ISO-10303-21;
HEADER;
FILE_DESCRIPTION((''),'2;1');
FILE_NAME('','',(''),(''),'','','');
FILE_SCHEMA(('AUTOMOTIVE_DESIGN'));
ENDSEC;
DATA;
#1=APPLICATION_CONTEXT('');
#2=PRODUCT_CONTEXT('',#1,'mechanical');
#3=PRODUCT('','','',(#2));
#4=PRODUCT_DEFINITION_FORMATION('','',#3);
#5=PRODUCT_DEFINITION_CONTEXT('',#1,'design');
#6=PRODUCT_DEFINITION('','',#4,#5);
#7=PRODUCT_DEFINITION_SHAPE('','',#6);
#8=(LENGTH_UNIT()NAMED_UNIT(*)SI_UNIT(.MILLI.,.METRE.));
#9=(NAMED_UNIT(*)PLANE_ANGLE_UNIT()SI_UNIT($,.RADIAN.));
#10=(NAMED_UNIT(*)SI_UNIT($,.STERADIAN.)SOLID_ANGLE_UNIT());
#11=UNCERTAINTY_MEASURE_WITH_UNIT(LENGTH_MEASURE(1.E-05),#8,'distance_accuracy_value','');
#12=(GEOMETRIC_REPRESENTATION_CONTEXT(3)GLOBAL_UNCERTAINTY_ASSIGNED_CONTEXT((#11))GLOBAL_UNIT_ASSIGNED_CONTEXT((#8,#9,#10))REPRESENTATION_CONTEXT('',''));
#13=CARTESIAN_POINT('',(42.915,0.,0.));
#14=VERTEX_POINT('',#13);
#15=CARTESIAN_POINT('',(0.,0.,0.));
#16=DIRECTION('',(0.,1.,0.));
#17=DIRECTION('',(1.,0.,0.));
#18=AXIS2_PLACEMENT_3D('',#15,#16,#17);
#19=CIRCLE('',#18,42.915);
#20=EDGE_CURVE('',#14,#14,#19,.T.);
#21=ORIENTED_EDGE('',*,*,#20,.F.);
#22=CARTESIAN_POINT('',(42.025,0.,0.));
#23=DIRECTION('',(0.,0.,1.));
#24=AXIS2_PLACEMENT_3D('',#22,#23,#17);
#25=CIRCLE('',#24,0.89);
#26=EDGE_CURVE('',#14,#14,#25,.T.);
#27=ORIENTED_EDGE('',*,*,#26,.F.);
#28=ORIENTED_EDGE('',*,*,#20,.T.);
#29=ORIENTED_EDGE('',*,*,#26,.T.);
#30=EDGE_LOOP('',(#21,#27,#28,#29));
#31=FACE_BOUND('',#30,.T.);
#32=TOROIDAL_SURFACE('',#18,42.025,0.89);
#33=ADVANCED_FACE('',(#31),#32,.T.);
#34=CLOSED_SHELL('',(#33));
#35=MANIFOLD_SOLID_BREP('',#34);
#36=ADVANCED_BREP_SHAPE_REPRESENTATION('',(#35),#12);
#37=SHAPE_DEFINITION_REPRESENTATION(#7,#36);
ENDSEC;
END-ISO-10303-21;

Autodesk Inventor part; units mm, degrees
ref_plane "YZ Plane" through (0, 0, 0) normal (1, 0, 0) x (0, 1, 0)
ref_plane "XZ Plane" through (0, 0, 0) normal (0, 1, 0) x (-1, 0, 0)
ref_plane "XY Plane" through (0, 0, 0) normal (0, 0, 1) x (1, 0, 0)
sketch "Boceto1" plane through (0, 0, 0) normal (0, 0, 1) x (1, 0, 0)
  circle A0 centre (42.025, 0) radius 0.89
  line L0 (0, -10.2838) -> (0, 10.2838)
  line L1 (0, 0) -> (42.025, 0) construction
  point P0 (41.135, 0)
  dimension "d0" = 1.78
  dimension "d3" = 41.135
revolve "Revolución1" add sketch "Boceto1" angle 360 about axis through (0, -10.2838, 0) along (0, 1, 0)
properties part number "1.78" material "Caucho"
